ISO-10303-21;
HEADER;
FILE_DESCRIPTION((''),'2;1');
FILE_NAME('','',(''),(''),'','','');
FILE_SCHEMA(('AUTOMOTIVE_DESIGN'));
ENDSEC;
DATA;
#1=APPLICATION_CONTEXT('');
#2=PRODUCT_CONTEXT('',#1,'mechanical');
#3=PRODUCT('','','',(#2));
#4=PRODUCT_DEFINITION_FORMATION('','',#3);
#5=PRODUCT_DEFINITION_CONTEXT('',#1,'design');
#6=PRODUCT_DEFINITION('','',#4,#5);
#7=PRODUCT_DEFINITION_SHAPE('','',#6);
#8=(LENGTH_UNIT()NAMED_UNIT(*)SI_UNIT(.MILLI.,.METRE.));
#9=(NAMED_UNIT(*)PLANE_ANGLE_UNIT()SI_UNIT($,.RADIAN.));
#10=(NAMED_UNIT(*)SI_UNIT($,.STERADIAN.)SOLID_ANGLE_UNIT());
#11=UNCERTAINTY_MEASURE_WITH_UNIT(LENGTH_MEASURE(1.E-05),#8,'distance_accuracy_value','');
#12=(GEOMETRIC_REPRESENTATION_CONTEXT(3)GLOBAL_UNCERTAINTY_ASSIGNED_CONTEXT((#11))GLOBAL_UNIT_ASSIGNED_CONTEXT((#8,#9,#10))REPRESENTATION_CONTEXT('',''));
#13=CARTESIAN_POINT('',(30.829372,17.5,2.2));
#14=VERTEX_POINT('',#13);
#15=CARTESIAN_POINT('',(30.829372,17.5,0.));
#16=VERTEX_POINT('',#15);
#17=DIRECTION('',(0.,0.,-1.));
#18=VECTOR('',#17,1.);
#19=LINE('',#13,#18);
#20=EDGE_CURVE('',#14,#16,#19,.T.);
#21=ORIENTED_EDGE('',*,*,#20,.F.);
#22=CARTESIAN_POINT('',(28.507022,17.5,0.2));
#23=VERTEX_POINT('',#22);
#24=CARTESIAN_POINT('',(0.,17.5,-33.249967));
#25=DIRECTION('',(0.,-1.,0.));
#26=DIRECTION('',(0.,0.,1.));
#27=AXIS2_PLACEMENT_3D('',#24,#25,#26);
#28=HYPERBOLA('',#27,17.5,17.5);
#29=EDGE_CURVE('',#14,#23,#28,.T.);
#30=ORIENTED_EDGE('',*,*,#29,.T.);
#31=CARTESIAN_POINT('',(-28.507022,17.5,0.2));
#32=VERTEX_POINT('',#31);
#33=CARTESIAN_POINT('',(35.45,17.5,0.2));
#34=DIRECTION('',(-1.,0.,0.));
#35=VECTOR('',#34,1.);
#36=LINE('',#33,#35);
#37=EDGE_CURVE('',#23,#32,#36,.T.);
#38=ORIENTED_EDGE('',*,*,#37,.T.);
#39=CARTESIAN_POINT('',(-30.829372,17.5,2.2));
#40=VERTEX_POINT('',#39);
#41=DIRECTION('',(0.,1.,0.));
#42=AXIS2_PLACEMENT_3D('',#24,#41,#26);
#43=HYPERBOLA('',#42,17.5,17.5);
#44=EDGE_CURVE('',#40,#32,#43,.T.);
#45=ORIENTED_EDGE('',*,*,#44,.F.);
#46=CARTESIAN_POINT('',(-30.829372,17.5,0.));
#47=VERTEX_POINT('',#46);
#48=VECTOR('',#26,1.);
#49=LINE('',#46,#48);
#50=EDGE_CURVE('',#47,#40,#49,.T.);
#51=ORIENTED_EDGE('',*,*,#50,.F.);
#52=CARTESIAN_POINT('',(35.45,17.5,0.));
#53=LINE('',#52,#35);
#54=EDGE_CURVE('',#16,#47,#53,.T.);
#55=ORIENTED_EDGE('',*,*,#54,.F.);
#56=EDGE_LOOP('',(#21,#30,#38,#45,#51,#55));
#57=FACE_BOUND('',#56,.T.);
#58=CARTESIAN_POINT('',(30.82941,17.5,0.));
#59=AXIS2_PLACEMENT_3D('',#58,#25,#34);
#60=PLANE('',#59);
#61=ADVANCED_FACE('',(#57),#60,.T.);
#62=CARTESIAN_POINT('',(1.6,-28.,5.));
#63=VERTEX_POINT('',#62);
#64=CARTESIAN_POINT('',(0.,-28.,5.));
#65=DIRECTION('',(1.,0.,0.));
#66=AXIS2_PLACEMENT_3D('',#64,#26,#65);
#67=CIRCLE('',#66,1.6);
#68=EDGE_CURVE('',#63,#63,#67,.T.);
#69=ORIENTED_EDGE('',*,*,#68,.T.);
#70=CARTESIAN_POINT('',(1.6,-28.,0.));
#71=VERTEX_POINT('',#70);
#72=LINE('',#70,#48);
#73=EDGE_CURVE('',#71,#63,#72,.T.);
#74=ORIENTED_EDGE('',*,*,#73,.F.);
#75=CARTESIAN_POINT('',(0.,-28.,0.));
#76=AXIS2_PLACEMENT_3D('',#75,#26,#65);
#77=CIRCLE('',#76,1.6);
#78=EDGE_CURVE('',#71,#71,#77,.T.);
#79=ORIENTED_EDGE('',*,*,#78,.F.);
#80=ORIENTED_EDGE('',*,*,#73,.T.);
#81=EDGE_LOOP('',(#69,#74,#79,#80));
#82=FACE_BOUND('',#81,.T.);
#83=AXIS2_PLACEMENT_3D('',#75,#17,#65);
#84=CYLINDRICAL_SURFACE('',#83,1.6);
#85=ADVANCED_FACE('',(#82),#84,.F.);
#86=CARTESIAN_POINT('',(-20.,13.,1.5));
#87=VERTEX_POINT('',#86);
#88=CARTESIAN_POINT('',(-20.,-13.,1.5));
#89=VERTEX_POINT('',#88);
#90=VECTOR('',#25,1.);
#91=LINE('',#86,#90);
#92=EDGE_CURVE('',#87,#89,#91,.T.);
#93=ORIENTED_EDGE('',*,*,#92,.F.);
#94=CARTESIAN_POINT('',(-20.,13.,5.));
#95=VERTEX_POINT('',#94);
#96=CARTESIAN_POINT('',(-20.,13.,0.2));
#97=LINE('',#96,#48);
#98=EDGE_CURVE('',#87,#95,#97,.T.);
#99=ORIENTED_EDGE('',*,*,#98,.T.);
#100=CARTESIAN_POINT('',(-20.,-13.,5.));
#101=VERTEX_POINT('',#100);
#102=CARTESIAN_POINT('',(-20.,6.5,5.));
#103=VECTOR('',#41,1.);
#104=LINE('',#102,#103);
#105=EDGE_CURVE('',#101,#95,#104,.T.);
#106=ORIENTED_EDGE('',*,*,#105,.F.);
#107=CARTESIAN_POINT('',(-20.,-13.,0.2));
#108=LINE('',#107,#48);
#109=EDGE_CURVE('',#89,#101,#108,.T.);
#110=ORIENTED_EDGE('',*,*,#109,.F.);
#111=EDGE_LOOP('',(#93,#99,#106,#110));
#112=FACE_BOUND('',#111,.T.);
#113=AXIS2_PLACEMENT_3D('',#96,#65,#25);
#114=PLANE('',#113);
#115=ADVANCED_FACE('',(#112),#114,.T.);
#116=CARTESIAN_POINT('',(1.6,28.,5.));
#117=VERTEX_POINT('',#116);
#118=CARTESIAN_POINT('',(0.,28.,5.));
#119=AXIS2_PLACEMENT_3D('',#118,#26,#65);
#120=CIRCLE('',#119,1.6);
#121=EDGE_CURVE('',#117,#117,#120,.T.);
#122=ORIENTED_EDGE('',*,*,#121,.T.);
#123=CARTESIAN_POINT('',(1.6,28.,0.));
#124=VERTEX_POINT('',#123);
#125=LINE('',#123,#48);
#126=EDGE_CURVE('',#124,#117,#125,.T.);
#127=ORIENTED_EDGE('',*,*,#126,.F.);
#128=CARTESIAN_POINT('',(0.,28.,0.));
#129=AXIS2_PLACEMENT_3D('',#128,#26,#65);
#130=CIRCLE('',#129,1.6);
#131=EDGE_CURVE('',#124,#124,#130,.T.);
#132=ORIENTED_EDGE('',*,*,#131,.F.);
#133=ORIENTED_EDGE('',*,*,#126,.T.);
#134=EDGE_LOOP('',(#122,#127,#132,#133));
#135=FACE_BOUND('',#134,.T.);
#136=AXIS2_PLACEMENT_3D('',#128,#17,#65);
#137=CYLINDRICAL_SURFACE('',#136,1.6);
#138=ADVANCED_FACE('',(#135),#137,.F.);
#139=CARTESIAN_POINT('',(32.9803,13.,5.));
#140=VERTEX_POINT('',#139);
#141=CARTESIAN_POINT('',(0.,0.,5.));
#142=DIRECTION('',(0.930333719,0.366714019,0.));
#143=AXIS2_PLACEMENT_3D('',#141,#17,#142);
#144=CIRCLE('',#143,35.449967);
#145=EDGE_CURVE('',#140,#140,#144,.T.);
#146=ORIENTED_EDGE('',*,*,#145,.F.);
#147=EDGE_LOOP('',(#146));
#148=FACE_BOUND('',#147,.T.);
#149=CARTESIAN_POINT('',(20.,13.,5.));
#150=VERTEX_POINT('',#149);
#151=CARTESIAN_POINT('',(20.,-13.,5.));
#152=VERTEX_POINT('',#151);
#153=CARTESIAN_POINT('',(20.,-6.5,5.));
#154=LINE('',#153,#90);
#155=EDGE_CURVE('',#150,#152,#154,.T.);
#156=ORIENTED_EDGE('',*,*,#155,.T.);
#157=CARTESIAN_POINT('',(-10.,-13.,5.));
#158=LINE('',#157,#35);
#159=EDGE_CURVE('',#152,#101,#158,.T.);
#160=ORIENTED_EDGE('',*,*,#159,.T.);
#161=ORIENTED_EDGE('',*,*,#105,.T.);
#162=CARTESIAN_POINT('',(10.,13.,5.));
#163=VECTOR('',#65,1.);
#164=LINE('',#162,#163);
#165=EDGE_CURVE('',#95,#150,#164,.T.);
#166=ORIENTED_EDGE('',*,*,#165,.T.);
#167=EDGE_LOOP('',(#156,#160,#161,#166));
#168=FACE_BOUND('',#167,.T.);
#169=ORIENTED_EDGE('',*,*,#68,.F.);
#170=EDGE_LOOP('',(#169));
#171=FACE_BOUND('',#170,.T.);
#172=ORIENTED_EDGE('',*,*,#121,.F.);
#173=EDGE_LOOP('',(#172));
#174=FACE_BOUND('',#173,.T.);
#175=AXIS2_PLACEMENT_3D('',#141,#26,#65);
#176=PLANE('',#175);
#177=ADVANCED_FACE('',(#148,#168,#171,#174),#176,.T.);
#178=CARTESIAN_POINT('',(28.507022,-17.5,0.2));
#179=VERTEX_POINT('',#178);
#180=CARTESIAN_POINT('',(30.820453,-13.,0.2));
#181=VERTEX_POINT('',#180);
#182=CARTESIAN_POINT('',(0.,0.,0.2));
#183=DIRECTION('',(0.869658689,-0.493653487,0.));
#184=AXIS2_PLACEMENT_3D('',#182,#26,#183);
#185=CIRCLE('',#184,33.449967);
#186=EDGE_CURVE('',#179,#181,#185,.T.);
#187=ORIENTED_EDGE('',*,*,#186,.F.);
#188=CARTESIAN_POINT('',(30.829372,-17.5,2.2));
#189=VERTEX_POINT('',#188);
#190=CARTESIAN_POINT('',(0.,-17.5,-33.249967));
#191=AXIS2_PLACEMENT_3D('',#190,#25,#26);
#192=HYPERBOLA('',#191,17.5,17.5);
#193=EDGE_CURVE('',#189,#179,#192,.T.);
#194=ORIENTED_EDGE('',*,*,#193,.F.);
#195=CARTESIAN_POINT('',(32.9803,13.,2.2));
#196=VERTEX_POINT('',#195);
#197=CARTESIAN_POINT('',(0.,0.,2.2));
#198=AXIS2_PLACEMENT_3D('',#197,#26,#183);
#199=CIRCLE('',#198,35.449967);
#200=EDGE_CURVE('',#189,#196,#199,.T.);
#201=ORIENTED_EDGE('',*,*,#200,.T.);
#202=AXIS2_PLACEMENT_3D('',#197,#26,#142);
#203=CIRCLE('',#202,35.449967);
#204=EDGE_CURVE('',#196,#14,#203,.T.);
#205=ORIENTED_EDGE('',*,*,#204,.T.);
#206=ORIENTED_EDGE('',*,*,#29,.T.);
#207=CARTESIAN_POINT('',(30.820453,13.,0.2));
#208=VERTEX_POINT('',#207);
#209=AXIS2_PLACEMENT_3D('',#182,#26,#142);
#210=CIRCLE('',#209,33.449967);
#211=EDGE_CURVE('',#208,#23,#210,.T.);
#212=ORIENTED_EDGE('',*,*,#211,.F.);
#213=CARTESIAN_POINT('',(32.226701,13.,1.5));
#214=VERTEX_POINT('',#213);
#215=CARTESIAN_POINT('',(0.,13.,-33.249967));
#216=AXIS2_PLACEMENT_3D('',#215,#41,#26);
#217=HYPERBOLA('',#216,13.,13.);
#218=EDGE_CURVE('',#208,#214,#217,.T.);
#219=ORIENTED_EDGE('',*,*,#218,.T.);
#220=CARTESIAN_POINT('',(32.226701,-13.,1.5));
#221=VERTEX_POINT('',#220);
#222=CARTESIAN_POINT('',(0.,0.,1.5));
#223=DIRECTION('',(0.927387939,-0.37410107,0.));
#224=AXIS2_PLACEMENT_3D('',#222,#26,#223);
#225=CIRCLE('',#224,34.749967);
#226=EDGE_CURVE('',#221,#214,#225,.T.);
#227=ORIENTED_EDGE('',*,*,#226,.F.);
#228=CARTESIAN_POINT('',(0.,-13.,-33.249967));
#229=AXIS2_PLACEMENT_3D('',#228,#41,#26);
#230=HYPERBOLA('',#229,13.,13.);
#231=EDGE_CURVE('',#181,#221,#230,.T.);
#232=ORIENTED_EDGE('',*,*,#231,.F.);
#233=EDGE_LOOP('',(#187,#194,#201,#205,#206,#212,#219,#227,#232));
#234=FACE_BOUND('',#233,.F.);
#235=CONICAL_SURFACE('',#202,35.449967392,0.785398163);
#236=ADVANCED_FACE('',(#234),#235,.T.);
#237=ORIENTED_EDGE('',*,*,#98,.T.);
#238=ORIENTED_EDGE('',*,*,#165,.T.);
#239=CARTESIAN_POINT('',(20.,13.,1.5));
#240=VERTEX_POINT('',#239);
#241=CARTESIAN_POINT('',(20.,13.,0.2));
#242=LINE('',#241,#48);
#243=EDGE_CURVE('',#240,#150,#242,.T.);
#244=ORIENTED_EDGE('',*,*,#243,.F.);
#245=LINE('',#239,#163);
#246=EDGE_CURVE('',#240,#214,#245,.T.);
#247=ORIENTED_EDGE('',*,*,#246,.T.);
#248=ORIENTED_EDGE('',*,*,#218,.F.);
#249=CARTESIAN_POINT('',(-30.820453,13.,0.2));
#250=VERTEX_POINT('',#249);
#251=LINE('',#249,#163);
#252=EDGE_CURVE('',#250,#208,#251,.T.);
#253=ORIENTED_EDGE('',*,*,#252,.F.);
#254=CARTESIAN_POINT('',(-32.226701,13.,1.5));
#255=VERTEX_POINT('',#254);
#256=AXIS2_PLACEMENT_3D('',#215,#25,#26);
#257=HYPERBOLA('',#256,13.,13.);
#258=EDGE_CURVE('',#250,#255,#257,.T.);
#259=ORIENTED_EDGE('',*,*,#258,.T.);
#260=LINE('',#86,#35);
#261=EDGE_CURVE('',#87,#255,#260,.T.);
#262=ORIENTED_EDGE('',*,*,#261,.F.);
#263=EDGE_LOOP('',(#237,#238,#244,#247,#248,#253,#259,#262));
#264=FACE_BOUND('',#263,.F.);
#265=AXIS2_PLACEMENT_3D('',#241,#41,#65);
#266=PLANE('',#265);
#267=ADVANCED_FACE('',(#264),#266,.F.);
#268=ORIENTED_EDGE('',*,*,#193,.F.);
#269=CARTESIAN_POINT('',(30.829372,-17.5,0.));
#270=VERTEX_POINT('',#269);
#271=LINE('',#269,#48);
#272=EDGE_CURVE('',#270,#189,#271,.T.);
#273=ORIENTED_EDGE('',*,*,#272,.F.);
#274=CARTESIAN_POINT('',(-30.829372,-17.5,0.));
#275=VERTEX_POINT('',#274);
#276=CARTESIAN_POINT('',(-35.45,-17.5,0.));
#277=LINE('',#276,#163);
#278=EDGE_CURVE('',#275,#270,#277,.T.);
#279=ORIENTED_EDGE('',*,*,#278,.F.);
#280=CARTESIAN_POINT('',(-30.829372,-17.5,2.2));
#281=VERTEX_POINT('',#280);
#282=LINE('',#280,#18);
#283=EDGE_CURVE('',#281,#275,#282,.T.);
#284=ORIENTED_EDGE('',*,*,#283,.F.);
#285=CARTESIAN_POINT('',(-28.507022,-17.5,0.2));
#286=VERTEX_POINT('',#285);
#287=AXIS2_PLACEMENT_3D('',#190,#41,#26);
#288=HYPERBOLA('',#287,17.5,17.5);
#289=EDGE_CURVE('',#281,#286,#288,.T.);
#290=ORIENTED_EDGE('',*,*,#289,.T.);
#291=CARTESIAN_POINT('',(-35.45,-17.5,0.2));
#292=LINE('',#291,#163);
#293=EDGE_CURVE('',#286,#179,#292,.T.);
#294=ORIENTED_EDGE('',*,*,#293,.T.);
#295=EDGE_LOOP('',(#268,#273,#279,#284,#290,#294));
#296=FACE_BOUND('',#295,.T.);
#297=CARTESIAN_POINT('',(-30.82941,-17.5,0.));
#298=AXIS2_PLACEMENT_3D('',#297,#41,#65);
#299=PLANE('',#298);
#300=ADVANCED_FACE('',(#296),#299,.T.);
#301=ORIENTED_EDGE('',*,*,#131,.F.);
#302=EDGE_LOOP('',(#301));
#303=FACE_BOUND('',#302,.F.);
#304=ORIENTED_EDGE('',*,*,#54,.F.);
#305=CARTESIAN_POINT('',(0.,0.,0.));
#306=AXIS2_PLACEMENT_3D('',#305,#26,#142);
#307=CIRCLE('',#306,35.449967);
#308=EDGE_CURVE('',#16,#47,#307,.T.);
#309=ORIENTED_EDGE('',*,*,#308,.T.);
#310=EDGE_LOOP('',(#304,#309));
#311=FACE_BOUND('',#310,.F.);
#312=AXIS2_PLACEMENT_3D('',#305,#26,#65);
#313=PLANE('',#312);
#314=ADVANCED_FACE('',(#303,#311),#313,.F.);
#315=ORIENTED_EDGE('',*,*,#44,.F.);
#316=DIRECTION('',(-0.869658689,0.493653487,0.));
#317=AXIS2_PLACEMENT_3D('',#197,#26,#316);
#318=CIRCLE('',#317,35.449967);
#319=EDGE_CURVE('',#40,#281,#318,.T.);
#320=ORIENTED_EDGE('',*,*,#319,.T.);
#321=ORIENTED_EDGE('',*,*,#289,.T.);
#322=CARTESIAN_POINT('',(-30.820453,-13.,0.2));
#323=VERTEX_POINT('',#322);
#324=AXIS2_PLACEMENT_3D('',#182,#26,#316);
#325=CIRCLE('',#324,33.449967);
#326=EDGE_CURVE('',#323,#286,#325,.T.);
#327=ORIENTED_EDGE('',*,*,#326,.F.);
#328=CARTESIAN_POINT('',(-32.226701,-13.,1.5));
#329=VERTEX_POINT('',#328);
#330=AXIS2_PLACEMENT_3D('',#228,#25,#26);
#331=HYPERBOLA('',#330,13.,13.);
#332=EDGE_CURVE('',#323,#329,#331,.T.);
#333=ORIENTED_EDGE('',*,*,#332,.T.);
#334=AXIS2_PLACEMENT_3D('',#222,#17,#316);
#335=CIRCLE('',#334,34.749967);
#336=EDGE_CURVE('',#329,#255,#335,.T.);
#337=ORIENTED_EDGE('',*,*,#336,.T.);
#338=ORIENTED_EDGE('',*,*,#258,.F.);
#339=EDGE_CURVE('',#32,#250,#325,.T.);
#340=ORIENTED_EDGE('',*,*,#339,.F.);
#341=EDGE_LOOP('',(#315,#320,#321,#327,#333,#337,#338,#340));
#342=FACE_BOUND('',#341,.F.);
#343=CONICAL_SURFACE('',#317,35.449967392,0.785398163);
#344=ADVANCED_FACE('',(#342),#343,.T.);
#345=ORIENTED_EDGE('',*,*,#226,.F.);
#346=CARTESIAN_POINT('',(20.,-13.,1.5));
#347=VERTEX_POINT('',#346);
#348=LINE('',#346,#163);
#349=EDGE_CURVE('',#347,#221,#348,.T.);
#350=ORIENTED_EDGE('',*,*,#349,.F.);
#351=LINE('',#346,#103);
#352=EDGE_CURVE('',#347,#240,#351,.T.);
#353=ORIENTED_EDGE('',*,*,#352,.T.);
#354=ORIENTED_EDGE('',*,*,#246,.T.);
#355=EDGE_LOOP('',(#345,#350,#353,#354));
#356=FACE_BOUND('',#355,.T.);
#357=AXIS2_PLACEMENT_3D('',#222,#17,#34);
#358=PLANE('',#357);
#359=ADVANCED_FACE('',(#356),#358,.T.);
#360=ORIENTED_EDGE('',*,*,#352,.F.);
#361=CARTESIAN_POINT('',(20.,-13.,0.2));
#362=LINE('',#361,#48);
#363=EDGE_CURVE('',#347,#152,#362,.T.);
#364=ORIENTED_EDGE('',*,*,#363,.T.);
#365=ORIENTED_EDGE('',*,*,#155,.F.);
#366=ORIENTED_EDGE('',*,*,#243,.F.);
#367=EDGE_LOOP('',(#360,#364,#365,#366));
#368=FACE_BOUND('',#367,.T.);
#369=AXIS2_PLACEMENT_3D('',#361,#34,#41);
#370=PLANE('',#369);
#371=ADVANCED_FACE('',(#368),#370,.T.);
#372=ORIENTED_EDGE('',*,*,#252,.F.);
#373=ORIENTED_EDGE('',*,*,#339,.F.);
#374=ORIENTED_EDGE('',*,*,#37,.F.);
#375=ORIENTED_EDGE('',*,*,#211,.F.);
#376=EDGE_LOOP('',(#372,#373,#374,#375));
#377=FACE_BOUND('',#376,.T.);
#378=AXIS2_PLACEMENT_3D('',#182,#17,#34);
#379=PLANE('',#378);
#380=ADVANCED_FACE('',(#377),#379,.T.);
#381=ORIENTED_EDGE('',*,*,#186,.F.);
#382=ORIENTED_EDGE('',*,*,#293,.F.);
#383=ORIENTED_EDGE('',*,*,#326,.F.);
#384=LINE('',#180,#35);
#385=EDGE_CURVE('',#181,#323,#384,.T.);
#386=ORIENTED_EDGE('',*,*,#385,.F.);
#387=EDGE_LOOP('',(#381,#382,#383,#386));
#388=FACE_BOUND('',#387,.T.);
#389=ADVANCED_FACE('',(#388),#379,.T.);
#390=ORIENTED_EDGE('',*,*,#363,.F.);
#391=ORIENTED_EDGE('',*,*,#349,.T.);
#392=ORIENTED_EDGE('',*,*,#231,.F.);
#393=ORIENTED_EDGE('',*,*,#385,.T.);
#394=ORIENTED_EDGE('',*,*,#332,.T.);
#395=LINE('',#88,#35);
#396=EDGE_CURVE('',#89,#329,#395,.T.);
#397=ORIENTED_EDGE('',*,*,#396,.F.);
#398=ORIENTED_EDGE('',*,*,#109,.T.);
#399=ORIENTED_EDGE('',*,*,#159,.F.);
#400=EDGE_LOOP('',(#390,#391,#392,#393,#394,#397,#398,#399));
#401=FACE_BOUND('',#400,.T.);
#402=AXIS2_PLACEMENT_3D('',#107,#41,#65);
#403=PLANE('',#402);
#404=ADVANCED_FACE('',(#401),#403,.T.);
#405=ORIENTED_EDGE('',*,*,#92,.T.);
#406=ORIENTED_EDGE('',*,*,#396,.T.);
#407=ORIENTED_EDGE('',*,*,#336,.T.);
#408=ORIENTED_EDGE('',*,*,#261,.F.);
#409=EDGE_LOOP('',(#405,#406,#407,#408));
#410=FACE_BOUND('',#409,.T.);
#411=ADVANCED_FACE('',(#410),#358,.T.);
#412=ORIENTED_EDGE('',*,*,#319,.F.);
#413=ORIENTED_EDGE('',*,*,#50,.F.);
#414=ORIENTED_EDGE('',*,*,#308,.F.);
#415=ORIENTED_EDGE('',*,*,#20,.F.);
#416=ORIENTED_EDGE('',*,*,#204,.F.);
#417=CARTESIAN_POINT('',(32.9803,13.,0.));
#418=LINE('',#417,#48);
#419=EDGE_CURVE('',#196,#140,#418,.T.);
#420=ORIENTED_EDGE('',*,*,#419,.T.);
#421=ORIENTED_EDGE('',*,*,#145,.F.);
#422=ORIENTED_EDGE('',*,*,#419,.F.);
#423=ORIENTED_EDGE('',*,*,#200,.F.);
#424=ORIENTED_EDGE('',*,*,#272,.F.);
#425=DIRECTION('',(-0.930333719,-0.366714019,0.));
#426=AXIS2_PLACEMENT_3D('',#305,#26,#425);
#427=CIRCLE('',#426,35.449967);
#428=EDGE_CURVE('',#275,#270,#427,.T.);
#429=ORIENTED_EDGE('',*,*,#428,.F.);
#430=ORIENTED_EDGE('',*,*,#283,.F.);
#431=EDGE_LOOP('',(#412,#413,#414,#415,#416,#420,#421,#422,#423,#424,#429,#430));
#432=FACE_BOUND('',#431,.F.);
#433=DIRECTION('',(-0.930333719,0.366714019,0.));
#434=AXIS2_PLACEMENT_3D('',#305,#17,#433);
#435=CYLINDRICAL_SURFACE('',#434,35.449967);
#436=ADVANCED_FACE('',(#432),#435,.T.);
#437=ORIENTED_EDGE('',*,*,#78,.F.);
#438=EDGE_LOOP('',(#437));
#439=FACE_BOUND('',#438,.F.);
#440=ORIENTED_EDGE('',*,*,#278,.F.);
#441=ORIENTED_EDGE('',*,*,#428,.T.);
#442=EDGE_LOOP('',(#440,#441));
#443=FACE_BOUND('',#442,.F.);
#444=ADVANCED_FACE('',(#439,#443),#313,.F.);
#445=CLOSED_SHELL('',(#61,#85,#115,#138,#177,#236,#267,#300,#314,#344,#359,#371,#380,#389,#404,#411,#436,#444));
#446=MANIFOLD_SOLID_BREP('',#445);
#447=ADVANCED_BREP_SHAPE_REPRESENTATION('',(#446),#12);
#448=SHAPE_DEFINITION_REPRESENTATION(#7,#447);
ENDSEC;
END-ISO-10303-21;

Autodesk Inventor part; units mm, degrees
ref_plane "YZ Plane" through (0, 0, 0) normal (1, 0, 0) x (0, 1, 0)
ref_plane "XZ Plane" through (0, 0, 0) normal (0, 1, 0) x (-1, 0, 0)
ref_plane "XY Plane" through (0, 0, 0) normal (0, 0, 1) x (1, 0, 0)
sketch "Sketch1" plane through (0, 0, 0) normal (0, 0, 1) x (1, 0, 0)
  circle A0 centre (0, 28) radius 1.6 projected
  circle A1 centre (0, -28) radius 1.6 projected
  arc A2 (-32.9803, -13) -> (32.9803, -13) centre (0, 0) ccw projected
  arc A3 (32.9803, -13) -> (32.9803, 13) centre (0, 0) ccw projected
  arc A4 (32.9803, 13) -> (-32.9803, 13) centre (0, 0) ccw projected
  arc A5 (-32.9803, 13) -> (-32.9803, -13) centre (0, 0) ccw projected
extrude "Extrusion1" add sketch "Sketch1" along normal blind 5
sketch "Sketch2" plane through (0, 0, 0) normal (0, 0, -1) x (-1, 0, 0)
  line L0 (-35.45, 17.5) -> (35.45, 17.5)
  line L1 (35.45, 17.5) -> (35.45, -17.5)
  line L2 (35.45, -17.5) -> (-35.45, -17.5)
  line L3 (-35.45, -17.5) -> (-35.45, 17.5)
  line L4 (-35.45, 17.5) -> (35.45, -17.5) construction
  line L5 (35.45, 17.5) -> (-35.45, -17.5) construction
  circle A0 centre (0, 0) radius 35.45 projected
  point P0 (-30.8294, 17.5)
  point P1 (-30.8294, -17.5)
  point P2 (30.8294, -17.5)
  point P3 (30.8294, 17.5)
  dimension "d2" = 35
extrude "Extrusion2" cut sketch "Sketch2" against normal blind 0.2 contours L0 A0 L2
sketch "Sketch3" plane through (0, 0, 0.2) normal (0, 0, -1) x (-1, 0, 0)
  line L0 (-20, -13) -> (-20, 13) projected
  line L1 (-20, 13) -> (20, 13) projected
  line L2 (20, 13) -> (20, -13) projected
  line L3 (20, -13) -> (-20, -13) projected
  circle A0 centre (0, 28) radius 1.6 projected
  circle A1 centre (0, -28) radius 1.6 projected
  circle A2 centre (0, 0) radius 34.25 projected
extrude "Extrusion3" cut sketch "Sketch3" against normal through all contours L0 L1 L2 L3
chamfer "Chamfer1" distance 2 angle 45 2 edges at (-35.45, 0, 0.2) (35.3622, -2.4938, 0.2)
sketch "Sketch4" plane through (0, 0, 0.2) normal (0, 0, -1) x (-1, 0, 0)
  line L0 (-20, 13) -> (20, 13) projected
  line L1 (20, -13) -> (-20, -13) projected
  line L2 (-20, -13) -> (-20, 13) projected
  line L3 (20, 13) -> (20, -13) projected
  circle A0 centre (0, 0) radius 35.45 projected
  line L4 (20, 13) -> (-20, 13) projected
  line L5 (-20, 13) -> (-32.9803, 13)
  line L6 (-20, 13) -> (-20, -13) projected
  line L7 (-20, -13) -> (-32.9803, -13)
  arc A1 (-30.8294, 17.5) -> (-30.8294, -17.5) centre (0, 0) ccw projected
  line L8 (-20, -13) -> (20, -13) projected
  line L9 (20, -13) -> (32.9803, -13)
  circle A2 centre (0, 0) radius 35.45 projected
  line L10 (20, -13) -> (20, 13) projected
  line L11 (20, 13) -> (32.9803, 13)
  point P0 (26.4902, -13)
extrude "Extrusion4" cut sketch "Sketch4" against normal blind 1.3 contours L2 L7 A0 L5 | L11 A0 L9 L3
properties part number "FilmGuide"
